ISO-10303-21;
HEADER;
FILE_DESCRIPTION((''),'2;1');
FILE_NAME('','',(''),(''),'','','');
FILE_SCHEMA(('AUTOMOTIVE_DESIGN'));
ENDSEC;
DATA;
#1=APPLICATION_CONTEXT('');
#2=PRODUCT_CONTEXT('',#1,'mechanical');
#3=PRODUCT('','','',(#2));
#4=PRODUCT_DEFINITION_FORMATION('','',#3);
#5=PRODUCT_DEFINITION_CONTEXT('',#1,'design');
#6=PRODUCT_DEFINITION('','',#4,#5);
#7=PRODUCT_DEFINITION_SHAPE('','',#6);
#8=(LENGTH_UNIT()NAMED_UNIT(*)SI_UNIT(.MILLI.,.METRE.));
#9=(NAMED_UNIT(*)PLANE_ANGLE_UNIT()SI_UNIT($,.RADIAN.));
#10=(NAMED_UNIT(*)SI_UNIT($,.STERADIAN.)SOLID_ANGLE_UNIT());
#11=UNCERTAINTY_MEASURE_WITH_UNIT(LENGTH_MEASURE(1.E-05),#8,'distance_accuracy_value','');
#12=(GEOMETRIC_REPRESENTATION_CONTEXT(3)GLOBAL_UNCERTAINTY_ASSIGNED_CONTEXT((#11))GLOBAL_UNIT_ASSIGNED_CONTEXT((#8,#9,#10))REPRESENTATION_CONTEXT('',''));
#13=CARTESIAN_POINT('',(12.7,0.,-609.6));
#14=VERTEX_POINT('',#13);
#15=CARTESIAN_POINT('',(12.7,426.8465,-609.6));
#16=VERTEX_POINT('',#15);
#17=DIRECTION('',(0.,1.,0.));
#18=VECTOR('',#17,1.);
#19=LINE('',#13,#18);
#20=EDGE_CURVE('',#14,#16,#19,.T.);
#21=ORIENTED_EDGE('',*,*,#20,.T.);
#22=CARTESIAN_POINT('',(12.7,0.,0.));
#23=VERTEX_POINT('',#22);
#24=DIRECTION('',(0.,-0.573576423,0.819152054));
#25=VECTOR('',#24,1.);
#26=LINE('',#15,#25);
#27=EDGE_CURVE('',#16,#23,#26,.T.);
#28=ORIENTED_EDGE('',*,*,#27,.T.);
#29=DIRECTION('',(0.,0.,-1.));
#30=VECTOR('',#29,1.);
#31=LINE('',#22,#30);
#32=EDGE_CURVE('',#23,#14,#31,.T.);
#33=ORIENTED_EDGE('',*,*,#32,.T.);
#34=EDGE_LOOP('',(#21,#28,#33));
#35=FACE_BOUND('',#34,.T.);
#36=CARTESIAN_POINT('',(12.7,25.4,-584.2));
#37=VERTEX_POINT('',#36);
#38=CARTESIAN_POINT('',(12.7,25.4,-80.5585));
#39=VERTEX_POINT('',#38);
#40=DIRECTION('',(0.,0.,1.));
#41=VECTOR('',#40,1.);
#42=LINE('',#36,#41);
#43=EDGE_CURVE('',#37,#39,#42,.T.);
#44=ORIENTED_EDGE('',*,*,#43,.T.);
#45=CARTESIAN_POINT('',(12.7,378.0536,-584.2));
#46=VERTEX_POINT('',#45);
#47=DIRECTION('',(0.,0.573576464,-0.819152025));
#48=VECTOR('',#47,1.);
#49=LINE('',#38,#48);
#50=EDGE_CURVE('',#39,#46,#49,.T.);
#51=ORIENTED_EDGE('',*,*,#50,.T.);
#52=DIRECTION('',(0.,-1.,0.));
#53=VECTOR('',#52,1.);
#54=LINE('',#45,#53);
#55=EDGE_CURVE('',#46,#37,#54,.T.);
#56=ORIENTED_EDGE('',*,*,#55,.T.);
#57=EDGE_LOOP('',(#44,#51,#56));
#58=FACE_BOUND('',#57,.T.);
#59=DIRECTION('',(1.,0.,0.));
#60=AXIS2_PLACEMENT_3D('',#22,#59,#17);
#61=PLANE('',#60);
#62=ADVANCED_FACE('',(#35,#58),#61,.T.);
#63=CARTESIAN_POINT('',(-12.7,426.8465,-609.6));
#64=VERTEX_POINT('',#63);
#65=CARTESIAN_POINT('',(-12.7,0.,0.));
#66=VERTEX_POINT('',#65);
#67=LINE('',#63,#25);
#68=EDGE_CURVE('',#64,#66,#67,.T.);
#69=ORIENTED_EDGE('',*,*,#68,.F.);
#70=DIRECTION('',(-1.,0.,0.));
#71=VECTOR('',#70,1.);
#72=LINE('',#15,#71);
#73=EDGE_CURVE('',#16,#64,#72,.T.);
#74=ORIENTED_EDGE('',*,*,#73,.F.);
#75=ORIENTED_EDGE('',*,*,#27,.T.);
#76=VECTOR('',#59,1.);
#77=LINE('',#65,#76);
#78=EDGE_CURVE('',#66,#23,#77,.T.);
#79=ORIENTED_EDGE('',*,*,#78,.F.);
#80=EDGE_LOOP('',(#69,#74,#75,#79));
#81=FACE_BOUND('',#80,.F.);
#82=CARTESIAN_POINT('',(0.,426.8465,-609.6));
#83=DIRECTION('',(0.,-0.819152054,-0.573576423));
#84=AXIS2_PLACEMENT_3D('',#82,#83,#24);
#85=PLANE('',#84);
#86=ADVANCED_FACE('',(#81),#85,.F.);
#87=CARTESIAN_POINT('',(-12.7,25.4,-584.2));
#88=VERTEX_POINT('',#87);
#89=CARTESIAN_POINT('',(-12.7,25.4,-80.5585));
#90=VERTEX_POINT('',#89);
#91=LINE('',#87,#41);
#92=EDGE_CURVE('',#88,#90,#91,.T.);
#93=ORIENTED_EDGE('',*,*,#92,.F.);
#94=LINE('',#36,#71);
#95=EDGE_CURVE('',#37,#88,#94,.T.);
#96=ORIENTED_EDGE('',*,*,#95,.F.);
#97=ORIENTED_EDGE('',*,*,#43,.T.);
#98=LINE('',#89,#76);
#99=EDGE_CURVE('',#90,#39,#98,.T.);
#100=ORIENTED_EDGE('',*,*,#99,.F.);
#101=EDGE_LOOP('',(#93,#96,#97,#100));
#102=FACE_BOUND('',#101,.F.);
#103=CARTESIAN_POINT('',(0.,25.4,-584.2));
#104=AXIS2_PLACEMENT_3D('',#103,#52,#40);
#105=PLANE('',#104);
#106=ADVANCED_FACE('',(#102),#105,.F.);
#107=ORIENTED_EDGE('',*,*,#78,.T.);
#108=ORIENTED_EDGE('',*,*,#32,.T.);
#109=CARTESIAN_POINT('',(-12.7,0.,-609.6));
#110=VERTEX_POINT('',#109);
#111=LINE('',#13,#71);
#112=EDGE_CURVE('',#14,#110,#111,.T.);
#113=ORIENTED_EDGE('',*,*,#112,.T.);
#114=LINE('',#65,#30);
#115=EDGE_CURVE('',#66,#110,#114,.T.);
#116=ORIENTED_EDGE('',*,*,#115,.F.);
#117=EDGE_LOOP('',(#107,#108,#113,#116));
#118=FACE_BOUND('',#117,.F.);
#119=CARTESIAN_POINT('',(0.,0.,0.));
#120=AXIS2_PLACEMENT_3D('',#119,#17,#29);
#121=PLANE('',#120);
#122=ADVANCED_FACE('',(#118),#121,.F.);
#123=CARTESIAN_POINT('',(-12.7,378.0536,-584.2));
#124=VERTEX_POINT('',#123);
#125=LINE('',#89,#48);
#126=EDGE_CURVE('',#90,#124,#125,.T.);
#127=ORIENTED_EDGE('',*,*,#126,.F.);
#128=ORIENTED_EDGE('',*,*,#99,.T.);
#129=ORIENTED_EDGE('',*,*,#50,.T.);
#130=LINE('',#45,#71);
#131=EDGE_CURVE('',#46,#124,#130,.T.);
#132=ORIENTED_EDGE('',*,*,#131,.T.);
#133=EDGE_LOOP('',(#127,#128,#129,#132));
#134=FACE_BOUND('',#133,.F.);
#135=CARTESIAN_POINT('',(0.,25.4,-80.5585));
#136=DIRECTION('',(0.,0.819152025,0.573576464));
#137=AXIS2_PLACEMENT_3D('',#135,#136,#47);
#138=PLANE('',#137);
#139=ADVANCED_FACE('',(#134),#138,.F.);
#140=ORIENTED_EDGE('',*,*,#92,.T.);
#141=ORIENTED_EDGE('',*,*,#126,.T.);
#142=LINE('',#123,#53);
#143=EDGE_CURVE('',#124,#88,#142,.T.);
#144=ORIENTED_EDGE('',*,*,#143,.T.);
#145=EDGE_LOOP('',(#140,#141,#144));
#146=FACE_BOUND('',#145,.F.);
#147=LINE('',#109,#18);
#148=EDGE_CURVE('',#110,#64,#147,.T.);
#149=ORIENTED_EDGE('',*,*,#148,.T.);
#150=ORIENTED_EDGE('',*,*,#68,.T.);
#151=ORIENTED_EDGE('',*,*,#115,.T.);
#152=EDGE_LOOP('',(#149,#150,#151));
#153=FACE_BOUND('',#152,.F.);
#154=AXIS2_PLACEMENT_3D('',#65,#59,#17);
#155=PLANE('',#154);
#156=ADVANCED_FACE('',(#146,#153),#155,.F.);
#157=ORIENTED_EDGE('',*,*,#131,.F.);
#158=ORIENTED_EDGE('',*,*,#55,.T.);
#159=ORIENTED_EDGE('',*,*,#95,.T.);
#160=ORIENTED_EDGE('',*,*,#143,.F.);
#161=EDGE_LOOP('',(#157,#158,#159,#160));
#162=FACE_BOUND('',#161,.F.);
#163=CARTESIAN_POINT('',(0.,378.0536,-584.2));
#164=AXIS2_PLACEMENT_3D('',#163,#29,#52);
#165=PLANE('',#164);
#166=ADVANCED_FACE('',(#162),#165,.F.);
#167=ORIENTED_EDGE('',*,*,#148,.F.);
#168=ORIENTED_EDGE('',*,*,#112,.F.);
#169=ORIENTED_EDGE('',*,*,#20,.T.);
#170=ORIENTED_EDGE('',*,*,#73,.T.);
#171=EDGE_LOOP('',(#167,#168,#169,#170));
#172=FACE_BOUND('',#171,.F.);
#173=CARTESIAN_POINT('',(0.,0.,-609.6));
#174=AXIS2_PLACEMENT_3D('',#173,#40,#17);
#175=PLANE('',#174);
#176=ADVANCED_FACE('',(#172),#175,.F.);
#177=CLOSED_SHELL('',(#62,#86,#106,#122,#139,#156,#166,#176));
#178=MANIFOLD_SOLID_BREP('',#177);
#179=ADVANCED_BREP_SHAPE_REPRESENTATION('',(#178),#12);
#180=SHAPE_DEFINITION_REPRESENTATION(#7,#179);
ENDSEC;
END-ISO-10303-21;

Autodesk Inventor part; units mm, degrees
ref_plane "YZ Plane" through (0, 0, 0) normal (1, 0, 0) x (0, 1, 0)
ref_plane "XZ Plane" through (0, 0, 0) normal (0, 1, 0) x (-1, 0, 0)
ref_plane "XY Plane" through (0, 0, 0) normal (0, 0, 1) x (1, 0, 0)
sketch "Sketch1" plane through (0, 0, 0) normal (1, 0, 0) x (0, 1, 0)
  line L0 (0, 0) -> (0, -609.6)
  line L1 (0, -609.6) -> (426.8465, -609.6)
  line L2 (426.8465, -609.6) -> (0, 0)
  line L3 (25.4, -80.5585) -> (378.0536, -584.2)
  line L4 (378.0536, -584.2) -> (25.4, -584.2)
  line L5 (25.4, -584.2) -> (25.4, -80.5585)
  dimension "d0" = 609.6
  dimension "d1" = 35
  dimension "d2" = 25.4
  dimension "d3" = 25.4
  dimension "d4" = 25.4
extrude "Extrusion1" add sketch "Sketch1" along normal mid plane 25.4
sketch "Sketch2" plane through (12.7, 0, 0) normal (1, 0, 0) x (0, 0, -1)
  line L0 (0, 0) -> (609.6, 0) projected
  line L1 (0, 0) -> (653.0822, 457.2931)
  line L2 (80.5585, 25.4) -> (584.2, 378.0536) projected
  line L3 (79.2672, 24.4958) -> (584.2, 378.0536)
  line L4 (584.2, 378.0536) -> (657.7963, 429.5863)
  line L5 (584.2, 25.4) -> (80.5585, 25.4) projected
  line L6 (80.5585, 25.4) -> (44.2835, 0)
  line L7 (44.2835, 0) -> (0, 0)
  line L8 (609.6, 0) -> (609.6, 426.8465) projected
  line L9 (609.6, 426.8465) -> (609.6, 393.6892)
  point P0 (609.6, 511.5151)
  point P1 (68.5783, 24.3867)
  point P2 (69.7859, 25.4)
properties part number "ballRampLeftSideV04-30-60"
